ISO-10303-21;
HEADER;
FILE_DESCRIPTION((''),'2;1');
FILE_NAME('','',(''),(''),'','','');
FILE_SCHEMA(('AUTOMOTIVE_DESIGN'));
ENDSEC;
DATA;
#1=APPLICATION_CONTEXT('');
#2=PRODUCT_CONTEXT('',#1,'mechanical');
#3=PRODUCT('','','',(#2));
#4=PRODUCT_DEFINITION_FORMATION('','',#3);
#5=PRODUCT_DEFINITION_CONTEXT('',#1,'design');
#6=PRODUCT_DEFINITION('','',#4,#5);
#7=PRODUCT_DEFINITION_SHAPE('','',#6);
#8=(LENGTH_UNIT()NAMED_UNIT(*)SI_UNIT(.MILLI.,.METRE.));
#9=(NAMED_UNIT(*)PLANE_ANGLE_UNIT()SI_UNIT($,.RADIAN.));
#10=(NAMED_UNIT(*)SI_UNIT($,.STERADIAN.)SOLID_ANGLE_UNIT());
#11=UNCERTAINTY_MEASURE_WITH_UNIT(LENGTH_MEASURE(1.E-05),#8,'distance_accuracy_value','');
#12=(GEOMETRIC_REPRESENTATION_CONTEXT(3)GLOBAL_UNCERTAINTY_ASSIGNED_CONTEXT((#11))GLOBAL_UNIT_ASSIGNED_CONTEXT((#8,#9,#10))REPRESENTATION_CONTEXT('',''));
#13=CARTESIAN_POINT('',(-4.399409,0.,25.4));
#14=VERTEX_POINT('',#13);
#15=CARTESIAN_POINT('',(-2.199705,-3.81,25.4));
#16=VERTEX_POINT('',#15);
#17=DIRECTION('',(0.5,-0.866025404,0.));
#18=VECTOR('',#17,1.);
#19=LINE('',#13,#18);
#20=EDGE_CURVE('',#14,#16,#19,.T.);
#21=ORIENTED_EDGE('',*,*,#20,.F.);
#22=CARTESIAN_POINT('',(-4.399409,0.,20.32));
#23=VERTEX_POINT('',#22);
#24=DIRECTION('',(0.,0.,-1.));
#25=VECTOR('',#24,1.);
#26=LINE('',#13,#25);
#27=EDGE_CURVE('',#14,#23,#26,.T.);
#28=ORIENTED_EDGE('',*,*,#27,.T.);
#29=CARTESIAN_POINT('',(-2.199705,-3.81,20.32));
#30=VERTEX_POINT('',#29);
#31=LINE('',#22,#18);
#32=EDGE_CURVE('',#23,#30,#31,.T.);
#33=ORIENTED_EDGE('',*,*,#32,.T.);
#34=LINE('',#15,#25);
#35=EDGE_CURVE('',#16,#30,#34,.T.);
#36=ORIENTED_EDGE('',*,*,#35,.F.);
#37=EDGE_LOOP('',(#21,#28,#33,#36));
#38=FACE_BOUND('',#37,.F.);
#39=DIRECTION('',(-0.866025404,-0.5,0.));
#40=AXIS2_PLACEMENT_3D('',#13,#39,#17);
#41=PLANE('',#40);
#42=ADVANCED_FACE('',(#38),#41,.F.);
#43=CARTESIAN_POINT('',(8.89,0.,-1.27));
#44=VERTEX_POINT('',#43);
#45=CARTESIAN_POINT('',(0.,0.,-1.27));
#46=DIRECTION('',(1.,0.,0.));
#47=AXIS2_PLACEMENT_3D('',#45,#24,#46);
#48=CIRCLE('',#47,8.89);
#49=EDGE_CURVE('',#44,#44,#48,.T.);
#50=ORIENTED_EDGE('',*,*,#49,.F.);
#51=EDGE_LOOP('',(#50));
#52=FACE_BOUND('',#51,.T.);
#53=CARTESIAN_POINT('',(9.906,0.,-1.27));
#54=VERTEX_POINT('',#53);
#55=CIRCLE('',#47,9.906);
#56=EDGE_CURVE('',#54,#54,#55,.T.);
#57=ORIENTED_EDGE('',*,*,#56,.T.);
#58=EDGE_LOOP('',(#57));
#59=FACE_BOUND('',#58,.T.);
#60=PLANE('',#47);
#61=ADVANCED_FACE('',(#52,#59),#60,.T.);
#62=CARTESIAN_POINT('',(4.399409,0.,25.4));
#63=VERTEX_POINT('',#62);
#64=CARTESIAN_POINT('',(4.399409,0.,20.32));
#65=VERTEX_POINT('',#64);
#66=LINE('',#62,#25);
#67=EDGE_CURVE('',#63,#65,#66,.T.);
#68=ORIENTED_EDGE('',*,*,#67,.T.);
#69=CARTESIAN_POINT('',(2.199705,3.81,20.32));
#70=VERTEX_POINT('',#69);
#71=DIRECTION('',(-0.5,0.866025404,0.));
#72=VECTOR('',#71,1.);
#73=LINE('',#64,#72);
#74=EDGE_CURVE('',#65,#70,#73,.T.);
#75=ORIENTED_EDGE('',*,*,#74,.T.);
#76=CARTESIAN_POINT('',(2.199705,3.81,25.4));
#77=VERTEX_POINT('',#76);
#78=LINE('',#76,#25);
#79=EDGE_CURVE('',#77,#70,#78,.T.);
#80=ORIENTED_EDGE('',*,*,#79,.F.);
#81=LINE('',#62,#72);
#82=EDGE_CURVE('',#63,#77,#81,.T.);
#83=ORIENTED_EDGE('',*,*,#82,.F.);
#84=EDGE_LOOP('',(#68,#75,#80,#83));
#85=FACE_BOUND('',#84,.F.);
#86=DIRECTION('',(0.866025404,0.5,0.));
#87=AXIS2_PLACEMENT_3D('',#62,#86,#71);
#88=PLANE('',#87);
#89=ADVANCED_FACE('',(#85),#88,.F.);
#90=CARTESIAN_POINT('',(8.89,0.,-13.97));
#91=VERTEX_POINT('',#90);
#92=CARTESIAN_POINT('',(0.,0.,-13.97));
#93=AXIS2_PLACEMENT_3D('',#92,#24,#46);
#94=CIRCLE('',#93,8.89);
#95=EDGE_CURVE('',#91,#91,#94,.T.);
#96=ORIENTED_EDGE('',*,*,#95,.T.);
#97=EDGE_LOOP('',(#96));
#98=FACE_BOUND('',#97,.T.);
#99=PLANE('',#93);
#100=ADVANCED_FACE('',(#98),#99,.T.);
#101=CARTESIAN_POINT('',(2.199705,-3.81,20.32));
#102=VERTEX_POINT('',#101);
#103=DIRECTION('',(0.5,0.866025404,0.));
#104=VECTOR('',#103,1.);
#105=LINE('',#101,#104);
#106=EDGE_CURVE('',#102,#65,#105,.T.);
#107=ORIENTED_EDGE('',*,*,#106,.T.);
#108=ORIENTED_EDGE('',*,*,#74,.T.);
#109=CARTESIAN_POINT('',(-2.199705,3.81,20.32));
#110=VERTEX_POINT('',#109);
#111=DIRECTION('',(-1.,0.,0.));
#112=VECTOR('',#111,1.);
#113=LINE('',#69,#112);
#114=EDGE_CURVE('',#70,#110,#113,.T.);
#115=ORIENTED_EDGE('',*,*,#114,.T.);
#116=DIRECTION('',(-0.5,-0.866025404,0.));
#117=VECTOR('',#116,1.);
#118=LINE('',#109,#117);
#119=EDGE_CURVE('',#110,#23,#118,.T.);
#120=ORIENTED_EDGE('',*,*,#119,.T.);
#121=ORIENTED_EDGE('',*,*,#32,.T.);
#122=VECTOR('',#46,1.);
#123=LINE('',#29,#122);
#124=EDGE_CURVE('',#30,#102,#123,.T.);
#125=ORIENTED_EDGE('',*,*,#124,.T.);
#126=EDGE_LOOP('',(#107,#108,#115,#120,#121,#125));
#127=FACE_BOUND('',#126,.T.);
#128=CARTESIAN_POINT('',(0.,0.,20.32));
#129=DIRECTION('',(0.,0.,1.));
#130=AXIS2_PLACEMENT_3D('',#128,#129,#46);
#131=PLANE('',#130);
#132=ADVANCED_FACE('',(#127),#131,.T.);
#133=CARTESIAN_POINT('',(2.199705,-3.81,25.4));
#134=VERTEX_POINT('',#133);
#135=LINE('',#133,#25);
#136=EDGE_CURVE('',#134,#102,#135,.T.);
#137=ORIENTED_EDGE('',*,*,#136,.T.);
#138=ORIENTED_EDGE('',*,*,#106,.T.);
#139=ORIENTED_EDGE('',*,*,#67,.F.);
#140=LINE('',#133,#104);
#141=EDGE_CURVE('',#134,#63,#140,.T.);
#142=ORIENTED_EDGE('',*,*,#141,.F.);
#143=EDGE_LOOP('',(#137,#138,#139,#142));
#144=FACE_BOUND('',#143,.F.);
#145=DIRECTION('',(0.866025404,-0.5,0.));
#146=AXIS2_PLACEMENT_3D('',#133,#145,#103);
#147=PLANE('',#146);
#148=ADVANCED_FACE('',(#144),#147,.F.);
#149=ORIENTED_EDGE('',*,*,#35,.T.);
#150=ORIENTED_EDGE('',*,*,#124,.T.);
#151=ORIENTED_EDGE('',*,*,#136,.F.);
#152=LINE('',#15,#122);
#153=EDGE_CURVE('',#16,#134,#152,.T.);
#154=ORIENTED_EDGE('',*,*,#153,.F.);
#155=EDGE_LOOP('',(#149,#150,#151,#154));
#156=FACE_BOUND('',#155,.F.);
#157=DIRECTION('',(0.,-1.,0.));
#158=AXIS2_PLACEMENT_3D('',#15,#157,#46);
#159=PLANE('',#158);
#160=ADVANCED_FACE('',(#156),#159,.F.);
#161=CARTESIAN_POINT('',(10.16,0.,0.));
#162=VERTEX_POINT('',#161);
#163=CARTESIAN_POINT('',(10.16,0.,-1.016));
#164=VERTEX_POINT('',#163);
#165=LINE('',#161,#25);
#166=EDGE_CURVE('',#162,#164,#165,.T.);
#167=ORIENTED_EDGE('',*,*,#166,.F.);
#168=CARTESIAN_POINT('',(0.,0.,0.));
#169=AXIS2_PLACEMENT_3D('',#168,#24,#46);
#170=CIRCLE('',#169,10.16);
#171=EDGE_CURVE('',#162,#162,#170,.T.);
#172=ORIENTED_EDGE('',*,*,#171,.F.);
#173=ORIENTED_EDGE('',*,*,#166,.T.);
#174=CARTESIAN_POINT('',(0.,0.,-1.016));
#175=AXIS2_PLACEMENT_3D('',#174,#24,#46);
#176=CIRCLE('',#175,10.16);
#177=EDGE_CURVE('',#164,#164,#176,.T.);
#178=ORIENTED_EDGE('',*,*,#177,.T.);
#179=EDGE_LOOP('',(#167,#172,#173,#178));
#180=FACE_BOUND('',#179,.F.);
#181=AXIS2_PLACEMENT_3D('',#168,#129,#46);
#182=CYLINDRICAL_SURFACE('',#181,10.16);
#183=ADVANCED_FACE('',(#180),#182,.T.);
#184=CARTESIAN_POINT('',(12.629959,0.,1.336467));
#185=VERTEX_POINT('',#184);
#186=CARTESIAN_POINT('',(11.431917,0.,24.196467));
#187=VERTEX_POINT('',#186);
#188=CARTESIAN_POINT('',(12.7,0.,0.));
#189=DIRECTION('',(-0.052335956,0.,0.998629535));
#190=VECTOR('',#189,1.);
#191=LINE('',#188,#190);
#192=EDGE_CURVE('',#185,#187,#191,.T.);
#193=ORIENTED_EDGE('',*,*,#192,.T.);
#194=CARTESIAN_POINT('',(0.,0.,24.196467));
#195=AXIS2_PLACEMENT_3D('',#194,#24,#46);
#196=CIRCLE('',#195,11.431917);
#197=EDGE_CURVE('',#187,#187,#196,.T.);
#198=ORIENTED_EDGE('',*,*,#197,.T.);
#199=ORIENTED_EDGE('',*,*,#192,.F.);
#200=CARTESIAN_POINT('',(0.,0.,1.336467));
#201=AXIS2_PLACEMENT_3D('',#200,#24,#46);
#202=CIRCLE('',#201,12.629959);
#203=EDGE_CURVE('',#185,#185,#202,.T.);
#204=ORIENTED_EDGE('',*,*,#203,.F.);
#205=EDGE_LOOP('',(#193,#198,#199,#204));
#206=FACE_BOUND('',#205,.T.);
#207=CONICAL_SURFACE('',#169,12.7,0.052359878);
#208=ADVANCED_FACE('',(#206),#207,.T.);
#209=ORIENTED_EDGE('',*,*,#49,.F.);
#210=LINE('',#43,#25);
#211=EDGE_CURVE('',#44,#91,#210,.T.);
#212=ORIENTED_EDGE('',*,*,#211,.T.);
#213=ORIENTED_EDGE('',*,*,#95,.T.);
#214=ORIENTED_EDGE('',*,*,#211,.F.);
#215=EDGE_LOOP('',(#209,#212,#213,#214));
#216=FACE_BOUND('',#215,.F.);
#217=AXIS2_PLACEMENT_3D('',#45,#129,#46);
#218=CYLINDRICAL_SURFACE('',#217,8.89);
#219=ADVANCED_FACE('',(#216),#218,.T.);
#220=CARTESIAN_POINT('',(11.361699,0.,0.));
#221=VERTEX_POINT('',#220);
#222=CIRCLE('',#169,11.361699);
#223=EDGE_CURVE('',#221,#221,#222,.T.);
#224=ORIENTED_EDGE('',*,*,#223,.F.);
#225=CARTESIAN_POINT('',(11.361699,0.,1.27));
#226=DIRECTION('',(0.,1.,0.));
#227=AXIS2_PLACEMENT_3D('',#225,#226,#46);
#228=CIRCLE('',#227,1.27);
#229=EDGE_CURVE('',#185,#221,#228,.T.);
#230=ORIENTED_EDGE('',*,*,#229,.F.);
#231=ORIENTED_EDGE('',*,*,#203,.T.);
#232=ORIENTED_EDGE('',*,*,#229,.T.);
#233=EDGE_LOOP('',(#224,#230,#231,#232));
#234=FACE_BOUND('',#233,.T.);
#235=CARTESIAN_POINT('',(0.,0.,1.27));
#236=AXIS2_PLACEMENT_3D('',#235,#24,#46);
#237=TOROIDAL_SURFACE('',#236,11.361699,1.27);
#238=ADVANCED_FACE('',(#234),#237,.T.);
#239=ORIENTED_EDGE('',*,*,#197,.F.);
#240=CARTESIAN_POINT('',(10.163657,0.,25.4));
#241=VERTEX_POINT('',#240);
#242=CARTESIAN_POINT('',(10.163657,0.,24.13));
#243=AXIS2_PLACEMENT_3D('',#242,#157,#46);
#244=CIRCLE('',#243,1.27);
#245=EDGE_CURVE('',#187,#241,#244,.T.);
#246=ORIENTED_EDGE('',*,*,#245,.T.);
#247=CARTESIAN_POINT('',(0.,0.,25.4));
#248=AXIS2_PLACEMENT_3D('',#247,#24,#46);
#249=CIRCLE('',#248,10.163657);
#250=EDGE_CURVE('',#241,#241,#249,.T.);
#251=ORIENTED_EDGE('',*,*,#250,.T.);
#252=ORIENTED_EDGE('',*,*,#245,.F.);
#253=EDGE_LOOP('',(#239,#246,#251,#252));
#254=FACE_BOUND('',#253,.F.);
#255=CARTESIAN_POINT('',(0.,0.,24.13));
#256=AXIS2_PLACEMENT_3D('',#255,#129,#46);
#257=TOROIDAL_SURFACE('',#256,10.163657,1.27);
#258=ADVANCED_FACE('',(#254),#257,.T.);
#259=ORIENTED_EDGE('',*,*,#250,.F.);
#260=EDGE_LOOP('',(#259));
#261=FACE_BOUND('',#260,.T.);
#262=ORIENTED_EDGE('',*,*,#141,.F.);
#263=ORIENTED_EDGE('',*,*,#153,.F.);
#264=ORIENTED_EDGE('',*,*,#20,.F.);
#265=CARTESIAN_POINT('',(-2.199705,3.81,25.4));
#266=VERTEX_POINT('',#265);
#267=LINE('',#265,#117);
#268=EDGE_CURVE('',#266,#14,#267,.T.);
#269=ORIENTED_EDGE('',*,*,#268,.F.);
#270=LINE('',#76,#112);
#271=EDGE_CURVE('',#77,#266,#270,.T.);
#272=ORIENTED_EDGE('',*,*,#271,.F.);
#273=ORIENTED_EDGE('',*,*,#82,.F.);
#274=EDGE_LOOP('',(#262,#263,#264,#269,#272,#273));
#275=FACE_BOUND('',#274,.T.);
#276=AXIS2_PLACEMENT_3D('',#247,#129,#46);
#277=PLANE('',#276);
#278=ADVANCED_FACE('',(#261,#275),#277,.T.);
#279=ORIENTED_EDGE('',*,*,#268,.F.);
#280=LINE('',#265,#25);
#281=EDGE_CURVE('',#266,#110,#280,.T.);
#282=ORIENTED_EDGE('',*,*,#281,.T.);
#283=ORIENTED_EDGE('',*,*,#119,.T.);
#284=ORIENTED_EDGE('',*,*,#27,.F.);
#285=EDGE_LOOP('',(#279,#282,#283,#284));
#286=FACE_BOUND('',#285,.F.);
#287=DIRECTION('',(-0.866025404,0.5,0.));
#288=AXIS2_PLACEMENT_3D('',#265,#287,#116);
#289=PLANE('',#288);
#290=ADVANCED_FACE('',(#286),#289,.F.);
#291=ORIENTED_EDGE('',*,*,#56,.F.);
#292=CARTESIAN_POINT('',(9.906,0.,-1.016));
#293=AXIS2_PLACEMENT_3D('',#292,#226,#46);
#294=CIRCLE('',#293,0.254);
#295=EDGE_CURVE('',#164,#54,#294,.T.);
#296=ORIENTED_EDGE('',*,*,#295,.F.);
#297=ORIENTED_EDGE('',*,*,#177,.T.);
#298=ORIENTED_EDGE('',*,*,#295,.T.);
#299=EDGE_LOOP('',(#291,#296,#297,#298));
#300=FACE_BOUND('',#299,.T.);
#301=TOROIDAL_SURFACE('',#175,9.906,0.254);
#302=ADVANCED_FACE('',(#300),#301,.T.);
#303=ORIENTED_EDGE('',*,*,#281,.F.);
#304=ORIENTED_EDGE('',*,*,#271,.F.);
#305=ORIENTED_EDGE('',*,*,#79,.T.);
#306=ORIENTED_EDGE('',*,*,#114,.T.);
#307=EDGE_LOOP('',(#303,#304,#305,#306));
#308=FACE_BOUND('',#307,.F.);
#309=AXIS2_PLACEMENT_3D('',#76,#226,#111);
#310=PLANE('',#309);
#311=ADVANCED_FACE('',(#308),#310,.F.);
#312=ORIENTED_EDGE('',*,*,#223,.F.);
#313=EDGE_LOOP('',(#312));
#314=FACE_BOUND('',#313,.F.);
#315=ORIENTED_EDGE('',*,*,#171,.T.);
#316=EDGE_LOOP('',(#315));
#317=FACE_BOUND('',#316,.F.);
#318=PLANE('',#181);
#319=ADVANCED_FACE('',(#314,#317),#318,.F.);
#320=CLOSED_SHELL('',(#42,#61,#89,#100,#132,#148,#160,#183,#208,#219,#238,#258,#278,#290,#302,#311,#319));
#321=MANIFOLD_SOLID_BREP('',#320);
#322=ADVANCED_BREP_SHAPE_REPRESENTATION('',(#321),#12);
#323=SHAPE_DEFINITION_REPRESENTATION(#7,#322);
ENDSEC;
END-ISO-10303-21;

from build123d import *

# Parameters (mm, degrees)
F0_R      = 12.7
F1_DEPTH  = 25.4
F1_TAPER  = 3
F3_DEPTH  = 5.08
F4_R      = 1.27
F5_R      = 1.27
F7_R      = 10.16
F8_DEPTH  = 1.27
F9_R      = 0.254
F10_R     = 8.89
F11_DEPTH = 12.7


with BuildPart() as f1:
    # F0 (on Top) → F1 (new body)
    with BuildSketch(Plane.XY):
        Circle(F0_R)
    extrude(amount=F1_DEPTH, taper=F1_TAPER)

    # F2 (on face) → F3 (cut)
    with BuildSketch(Plane.XY.offset(25.4)):
        Polygon((2.1997045256, 3.81), (-2.1997045256, 3.81), (-4.3994090512, 0), (-2.1997045256, -3.81), (2.1997045256, -3.81), (4.3994090512, 0), align=None)
    extrude(amount=-F3_DEPTH, mode=Mode.SUBTRACT)

    # F4
    f4_edges = [f1.edges().sort_by_distance(p)[0] for p in [
        (-11.368842, 0, 25.4),
    ]]
    fillet(f4_edges, radius=F4_R)

    # F5
    f5_edges = [f1.edges().sort_by_distance(p)[0] for p in [
        (-12.7, 0, 0),
    ]]
    fillet(f5_edges, radius=F5_R)

    # F7 (on face) → F8 (join)
    with BuildSketch(Plane(origin=(0, 0, 0), x_dir=(1, 0, 0), z_dir=(0, 0, -1))):
        Circle(F7_R)
    extrude(amount=F8_DEPTH)

    # F9
    f9_edges = [f1.edges().sort_by_distance(p)[0] for p in [
        (-10.16, 0, -1.27),
    ]]
    fillet(f9_edges, radius=F9_R)

    # F10 (on face) → F11 (join)
    with BuildSketch(Plane(origin=(0, 0, -1.27), x_dir=(1, 0, 0), z_dir=(0, 0, -1))):
        Circle(F10_R)
    extrude(amount=F11_DEPTH)


solid = f1.part
